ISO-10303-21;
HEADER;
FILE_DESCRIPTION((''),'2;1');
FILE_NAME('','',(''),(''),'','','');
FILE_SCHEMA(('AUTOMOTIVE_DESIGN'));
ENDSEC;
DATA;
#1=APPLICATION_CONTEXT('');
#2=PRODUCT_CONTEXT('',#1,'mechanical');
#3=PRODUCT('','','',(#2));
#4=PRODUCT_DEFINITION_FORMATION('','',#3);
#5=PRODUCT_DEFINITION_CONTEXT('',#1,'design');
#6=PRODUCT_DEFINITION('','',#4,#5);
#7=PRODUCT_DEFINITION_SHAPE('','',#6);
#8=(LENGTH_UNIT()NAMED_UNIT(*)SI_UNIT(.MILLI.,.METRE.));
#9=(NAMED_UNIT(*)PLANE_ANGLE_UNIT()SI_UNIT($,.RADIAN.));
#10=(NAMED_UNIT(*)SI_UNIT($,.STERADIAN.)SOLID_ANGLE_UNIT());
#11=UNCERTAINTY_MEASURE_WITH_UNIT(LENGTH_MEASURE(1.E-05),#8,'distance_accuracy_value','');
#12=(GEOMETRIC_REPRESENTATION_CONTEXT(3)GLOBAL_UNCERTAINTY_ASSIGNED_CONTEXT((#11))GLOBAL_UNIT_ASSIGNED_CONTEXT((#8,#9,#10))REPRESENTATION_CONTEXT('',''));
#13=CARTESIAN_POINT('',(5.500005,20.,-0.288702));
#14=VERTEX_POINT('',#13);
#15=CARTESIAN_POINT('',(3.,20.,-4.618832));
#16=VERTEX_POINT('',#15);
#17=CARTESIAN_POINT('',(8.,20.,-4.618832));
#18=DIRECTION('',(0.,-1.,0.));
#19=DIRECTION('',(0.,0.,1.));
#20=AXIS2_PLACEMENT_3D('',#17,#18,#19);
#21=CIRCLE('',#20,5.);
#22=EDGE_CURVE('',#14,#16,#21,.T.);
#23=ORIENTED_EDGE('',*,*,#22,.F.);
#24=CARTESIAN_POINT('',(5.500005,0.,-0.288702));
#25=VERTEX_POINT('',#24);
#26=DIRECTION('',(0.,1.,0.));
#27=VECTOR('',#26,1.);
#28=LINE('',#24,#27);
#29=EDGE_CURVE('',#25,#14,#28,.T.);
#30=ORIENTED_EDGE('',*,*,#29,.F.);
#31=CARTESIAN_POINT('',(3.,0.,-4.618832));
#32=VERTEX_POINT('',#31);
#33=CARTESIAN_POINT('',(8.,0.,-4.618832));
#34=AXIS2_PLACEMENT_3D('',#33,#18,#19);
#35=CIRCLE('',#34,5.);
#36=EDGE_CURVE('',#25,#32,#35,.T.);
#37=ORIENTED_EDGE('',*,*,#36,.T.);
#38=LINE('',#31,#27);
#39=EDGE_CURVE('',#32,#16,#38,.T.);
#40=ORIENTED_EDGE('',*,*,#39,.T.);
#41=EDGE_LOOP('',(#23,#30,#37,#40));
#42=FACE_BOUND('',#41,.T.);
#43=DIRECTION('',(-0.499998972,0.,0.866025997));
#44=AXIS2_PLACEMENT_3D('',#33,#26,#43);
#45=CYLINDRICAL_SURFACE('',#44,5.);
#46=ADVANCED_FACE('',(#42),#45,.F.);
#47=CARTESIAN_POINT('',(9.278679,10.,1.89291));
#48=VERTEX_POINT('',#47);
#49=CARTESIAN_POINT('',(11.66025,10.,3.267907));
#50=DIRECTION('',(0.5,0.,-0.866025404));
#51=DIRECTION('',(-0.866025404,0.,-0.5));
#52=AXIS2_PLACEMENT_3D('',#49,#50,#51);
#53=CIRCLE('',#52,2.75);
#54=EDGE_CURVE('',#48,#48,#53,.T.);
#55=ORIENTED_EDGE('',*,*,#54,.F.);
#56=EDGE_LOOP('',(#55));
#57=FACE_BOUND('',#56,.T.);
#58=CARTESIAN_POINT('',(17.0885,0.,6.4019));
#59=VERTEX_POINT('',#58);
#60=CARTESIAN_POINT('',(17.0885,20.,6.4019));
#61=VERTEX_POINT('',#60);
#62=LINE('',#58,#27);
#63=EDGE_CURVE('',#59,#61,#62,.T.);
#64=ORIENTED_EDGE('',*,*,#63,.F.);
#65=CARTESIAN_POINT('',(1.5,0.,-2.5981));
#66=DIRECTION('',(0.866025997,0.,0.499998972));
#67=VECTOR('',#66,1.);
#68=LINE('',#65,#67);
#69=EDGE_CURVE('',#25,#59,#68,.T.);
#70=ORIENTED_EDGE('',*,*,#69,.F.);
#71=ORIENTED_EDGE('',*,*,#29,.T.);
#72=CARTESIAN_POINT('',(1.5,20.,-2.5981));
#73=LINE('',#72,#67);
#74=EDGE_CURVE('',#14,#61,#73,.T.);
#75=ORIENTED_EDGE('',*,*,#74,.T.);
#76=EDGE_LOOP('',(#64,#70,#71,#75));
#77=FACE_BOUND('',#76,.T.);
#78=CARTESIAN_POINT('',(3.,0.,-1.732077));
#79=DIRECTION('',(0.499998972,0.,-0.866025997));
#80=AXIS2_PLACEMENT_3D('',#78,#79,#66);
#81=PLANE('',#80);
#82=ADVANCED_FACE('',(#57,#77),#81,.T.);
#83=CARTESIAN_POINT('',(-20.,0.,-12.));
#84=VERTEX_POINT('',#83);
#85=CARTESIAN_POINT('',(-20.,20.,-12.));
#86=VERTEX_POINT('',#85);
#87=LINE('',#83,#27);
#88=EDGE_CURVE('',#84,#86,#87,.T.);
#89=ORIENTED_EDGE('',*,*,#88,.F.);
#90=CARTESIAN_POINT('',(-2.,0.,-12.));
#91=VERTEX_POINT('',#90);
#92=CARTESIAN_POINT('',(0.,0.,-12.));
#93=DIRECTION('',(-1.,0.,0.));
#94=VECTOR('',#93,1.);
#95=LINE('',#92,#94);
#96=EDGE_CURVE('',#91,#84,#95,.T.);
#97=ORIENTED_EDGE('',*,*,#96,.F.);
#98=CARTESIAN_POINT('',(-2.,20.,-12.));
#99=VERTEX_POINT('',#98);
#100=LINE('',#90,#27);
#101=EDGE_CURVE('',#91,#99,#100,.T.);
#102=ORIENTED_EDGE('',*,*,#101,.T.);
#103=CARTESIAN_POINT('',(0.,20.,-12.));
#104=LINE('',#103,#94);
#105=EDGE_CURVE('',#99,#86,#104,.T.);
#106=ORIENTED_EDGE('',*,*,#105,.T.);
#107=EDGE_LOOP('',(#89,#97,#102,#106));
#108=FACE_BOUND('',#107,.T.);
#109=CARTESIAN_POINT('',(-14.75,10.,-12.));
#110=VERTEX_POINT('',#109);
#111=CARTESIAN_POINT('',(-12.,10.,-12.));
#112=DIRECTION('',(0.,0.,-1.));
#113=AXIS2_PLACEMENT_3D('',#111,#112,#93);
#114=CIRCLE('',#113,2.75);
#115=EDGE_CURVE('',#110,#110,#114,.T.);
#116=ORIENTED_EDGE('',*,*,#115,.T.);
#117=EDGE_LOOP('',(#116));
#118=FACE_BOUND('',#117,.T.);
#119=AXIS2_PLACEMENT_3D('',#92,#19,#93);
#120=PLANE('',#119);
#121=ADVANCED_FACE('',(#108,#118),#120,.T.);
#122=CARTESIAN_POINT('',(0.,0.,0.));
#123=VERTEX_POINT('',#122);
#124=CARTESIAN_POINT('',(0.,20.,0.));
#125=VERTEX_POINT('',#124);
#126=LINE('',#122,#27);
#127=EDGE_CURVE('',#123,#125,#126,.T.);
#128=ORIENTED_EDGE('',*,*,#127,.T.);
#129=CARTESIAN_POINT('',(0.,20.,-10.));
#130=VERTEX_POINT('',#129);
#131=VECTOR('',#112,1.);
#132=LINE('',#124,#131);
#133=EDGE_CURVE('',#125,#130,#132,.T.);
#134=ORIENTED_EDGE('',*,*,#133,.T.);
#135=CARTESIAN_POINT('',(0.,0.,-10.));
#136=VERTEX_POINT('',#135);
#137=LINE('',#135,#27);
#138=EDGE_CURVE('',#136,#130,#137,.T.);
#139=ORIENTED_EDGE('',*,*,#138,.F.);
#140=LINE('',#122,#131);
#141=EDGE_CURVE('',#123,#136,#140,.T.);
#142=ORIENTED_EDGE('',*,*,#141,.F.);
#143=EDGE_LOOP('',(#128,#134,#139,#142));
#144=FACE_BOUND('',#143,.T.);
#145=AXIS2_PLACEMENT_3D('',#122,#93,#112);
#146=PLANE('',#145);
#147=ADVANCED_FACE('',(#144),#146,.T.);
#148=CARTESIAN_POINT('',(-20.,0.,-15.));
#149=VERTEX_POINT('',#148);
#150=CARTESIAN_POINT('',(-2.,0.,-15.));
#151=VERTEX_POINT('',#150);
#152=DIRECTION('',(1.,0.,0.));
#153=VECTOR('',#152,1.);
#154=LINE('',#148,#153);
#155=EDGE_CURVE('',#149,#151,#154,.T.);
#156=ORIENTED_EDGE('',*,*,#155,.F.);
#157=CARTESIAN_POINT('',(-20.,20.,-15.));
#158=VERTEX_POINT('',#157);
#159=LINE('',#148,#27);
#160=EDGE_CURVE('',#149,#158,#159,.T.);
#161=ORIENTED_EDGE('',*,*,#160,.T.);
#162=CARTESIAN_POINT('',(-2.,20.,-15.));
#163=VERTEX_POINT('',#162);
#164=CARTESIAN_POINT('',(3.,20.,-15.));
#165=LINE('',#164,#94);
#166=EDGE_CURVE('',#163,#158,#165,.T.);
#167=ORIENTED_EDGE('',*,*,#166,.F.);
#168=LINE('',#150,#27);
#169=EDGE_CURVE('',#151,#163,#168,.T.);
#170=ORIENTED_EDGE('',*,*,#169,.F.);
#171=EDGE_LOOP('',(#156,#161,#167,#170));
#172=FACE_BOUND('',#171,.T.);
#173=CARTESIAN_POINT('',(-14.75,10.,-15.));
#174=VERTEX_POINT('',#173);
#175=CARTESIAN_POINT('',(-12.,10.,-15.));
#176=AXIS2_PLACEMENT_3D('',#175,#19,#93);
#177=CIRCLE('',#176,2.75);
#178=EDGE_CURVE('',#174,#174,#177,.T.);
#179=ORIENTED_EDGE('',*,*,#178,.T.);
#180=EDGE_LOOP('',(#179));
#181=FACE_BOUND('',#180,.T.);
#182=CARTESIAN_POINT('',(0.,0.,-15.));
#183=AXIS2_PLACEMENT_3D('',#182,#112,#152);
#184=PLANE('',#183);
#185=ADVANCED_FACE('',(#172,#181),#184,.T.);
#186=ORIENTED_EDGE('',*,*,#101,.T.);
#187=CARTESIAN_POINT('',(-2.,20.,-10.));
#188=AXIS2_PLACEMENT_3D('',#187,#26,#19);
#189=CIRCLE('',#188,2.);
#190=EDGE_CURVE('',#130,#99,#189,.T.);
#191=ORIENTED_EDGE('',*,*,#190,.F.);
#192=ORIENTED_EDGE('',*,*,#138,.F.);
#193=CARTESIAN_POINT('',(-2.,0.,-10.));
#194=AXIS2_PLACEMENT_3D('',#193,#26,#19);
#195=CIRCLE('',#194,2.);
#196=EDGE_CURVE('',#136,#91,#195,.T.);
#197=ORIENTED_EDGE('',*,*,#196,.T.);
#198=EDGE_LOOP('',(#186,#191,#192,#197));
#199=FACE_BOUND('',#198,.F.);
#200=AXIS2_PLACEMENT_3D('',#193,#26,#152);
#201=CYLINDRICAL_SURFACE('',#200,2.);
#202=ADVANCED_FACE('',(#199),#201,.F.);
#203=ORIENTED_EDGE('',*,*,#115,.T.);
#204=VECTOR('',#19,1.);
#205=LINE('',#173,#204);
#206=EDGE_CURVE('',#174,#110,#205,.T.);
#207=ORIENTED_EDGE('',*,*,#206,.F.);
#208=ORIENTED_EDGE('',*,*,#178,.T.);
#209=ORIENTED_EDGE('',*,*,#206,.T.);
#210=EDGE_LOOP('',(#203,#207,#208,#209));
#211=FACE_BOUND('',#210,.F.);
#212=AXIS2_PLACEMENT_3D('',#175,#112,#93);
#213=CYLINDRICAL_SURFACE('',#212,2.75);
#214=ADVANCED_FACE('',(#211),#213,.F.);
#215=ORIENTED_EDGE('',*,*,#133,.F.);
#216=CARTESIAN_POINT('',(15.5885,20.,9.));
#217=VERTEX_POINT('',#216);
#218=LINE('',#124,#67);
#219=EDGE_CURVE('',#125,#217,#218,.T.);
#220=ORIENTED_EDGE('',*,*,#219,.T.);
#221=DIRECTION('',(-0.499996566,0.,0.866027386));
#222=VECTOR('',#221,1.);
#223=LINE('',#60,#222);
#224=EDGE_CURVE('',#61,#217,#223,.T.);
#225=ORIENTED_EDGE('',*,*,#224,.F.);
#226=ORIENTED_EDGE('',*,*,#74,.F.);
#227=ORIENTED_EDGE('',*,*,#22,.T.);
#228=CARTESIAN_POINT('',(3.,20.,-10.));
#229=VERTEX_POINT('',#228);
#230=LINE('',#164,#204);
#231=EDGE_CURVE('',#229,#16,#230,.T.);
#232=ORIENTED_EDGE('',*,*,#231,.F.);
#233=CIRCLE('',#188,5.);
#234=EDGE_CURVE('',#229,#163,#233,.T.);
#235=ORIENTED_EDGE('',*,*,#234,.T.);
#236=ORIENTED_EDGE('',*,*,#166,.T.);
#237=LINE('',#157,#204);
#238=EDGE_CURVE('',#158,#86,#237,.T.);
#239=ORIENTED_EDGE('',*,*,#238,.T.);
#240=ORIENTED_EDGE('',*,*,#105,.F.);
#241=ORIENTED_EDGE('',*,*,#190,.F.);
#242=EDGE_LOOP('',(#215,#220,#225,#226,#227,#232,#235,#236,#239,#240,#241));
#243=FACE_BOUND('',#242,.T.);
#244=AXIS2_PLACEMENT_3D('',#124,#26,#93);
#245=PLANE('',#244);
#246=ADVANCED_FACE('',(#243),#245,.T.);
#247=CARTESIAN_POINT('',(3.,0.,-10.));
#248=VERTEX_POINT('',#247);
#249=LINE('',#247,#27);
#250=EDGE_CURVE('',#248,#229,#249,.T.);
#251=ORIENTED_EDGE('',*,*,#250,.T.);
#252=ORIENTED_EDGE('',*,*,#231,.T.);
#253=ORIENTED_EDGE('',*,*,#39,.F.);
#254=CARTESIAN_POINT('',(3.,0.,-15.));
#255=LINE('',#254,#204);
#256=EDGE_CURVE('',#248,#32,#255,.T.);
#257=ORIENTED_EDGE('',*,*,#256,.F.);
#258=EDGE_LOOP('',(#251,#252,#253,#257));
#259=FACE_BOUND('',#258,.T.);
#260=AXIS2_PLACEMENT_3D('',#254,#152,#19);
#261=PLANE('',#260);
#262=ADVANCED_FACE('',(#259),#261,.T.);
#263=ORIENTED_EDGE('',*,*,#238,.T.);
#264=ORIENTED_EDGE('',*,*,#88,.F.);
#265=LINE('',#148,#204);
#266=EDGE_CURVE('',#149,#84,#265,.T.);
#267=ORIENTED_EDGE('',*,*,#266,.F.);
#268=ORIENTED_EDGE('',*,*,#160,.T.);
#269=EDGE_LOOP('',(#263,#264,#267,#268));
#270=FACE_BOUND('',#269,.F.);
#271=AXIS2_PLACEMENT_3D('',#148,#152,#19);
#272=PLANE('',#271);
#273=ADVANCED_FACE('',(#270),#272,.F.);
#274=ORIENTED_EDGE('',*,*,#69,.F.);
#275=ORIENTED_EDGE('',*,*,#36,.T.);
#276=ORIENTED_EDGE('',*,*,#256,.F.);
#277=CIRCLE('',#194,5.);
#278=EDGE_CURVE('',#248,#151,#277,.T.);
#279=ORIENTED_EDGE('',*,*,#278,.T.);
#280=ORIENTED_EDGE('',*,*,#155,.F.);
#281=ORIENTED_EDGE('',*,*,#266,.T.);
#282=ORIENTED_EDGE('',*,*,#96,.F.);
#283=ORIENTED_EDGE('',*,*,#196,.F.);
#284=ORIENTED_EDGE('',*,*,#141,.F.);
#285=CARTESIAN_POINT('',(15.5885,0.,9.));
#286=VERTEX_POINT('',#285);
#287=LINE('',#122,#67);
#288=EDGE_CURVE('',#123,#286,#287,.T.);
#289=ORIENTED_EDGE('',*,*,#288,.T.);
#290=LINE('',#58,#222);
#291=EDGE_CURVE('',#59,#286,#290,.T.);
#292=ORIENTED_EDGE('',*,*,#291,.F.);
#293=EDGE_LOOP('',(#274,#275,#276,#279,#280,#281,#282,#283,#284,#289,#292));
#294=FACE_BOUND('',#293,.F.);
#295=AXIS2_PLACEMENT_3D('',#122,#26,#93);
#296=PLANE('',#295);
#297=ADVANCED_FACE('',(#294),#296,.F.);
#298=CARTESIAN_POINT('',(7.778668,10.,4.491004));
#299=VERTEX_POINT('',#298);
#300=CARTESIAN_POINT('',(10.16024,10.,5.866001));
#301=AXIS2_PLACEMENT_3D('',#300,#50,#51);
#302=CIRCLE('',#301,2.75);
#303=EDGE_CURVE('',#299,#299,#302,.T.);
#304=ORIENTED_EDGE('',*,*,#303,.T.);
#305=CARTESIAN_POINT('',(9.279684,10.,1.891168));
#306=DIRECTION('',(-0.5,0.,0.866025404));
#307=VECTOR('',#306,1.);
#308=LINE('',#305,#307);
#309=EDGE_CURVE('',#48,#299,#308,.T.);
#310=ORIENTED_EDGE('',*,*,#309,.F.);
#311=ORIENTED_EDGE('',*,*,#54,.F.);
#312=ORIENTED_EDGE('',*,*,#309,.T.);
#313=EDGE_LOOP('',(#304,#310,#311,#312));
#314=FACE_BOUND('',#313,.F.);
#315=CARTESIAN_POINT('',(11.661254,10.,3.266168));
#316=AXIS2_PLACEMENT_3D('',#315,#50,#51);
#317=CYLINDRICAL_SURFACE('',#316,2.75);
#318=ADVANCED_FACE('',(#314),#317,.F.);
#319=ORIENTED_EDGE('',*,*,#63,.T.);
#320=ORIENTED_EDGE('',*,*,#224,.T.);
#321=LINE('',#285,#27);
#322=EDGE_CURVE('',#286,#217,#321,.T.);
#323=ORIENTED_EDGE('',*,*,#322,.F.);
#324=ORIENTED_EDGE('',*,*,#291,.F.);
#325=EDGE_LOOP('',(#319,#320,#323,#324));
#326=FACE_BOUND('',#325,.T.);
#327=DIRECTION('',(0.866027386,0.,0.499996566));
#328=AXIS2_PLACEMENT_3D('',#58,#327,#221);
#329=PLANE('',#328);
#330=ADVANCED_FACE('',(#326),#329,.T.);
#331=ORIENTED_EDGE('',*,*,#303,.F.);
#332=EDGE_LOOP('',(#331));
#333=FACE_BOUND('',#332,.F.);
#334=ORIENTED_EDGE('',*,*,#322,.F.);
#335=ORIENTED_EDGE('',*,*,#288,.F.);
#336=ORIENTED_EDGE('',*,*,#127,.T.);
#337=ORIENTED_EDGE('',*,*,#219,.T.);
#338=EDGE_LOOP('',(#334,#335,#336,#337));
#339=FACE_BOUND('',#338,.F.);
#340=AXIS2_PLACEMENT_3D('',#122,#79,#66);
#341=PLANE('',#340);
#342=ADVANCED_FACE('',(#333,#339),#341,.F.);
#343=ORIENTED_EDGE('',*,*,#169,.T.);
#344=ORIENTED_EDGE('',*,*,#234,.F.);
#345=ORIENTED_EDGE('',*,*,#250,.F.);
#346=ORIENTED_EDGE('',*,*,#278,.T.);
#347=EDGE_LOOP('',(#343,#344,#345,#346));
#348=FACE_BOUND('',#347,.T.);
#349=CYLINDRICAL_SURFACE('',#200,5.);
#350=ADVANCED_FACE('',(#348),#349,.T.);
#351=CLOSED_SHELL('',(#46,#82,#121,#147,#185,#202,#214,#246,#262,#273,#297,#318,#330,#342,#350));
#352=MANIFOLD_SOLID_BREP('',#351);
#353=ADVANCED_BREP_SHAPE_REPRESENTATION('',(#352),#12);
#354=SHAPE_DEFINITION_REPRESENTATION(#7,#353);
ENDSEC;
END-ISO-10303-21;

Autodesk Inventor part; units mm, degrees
ref_plane "YZ Plane" through (0, 0, 0) normal (1, 0, 0) x (0, 1, 0)
ref_plane "XZ Plane" through (0, 0, 0) normal (0, 1, 0) x (-1, 0, 0)
ref_plane "XY Plane" through (0, 0, 0) normal (0, 0, 1) x (1, 0, 0)
sketch "Sketch4" plane through (0, 0, 0) normal (0, 1, 0) x (-1, 0, 0)
  line L0 (0, 0) -> (0, -12)
  line L1 (0, -12) -> (20, -12)
  line L2 (20, -12) -> (0, -12)
  line L3 (0, -12) -> (0, -15)
  line L4 (0, -15) -> (20, -15)
  line L5 (20, -15) -> (20, -12)
  line L6 (0, 0) -> (-15.5885, 9)
  line L7 (0, 0) -> (18, 0) construction
  line L8 (-15.5885, 9) -> (0, 0)
  line L9 (0, 0) -> (-1.5, -2.5981)
  line L10 (-1.5, -2.5981) -> (-17.0885, 6.4019)
  line L11 (-17.0885, 6.4019) -> (-15.5885, 9)
  line L12 (0, 0) -> (0, -15)
  line L13 (0, -15) -> (-3, -15)
  line L14 (-3, -15) -> (-3, 0)
  line L15 (-3, 0) -> (0, 0)
  dimension "d16" = 12
  dimension "d17" = 20
  dimension "d18" = 3
  dimension "d19" = 18
  dimension "d20" = 150
  dimension "d21" = 3
  dimension "d24" = 3
extrude "Extrusion5" add sketch "Sketch4" along normal blind 20
sketch "Sketch5" plane through (3, 0, -15) normal (0, 0, -1) x (-1, 0, 0)
  line L0 (15, 0) -> (15, 10)
  circle A0 centre (15, 10) radius 2.75
  line L1 (0, 0) -> (0, 20) projected
  dimension "d27" = 10
  dimension "d28" = 5.5
  dimension "d36" = 15
extrude "Extrusion6" cut sketch "Sketch5" against normal blind 3
sketch "Sketch6" plane through (3, 0, -1.7321) normal (0.5, 0, -0.866) x (-0.866, 0, -0.5)
  line L0 (0, 0) -> (0, 20) projected
  line L1 (0, 10) -> (-10, 10)
  circle A0 centre (-10, 10) radius 2.75
  point P0 (1.7321, 0)
  dimension "d31" = 10
  dimension "d32" = 5.5
extrude "Extrusion7" cut sketch "Sketch6" against normal blind 3
fillet "Fillet1" radius 5 2 edges at (3, 10, -1.7321) (3, 10, -15)
fillet "Fillet2" radius 2 1 edges at (0, 10, -12)
properties part number "Acrylic_angle_bracket"
